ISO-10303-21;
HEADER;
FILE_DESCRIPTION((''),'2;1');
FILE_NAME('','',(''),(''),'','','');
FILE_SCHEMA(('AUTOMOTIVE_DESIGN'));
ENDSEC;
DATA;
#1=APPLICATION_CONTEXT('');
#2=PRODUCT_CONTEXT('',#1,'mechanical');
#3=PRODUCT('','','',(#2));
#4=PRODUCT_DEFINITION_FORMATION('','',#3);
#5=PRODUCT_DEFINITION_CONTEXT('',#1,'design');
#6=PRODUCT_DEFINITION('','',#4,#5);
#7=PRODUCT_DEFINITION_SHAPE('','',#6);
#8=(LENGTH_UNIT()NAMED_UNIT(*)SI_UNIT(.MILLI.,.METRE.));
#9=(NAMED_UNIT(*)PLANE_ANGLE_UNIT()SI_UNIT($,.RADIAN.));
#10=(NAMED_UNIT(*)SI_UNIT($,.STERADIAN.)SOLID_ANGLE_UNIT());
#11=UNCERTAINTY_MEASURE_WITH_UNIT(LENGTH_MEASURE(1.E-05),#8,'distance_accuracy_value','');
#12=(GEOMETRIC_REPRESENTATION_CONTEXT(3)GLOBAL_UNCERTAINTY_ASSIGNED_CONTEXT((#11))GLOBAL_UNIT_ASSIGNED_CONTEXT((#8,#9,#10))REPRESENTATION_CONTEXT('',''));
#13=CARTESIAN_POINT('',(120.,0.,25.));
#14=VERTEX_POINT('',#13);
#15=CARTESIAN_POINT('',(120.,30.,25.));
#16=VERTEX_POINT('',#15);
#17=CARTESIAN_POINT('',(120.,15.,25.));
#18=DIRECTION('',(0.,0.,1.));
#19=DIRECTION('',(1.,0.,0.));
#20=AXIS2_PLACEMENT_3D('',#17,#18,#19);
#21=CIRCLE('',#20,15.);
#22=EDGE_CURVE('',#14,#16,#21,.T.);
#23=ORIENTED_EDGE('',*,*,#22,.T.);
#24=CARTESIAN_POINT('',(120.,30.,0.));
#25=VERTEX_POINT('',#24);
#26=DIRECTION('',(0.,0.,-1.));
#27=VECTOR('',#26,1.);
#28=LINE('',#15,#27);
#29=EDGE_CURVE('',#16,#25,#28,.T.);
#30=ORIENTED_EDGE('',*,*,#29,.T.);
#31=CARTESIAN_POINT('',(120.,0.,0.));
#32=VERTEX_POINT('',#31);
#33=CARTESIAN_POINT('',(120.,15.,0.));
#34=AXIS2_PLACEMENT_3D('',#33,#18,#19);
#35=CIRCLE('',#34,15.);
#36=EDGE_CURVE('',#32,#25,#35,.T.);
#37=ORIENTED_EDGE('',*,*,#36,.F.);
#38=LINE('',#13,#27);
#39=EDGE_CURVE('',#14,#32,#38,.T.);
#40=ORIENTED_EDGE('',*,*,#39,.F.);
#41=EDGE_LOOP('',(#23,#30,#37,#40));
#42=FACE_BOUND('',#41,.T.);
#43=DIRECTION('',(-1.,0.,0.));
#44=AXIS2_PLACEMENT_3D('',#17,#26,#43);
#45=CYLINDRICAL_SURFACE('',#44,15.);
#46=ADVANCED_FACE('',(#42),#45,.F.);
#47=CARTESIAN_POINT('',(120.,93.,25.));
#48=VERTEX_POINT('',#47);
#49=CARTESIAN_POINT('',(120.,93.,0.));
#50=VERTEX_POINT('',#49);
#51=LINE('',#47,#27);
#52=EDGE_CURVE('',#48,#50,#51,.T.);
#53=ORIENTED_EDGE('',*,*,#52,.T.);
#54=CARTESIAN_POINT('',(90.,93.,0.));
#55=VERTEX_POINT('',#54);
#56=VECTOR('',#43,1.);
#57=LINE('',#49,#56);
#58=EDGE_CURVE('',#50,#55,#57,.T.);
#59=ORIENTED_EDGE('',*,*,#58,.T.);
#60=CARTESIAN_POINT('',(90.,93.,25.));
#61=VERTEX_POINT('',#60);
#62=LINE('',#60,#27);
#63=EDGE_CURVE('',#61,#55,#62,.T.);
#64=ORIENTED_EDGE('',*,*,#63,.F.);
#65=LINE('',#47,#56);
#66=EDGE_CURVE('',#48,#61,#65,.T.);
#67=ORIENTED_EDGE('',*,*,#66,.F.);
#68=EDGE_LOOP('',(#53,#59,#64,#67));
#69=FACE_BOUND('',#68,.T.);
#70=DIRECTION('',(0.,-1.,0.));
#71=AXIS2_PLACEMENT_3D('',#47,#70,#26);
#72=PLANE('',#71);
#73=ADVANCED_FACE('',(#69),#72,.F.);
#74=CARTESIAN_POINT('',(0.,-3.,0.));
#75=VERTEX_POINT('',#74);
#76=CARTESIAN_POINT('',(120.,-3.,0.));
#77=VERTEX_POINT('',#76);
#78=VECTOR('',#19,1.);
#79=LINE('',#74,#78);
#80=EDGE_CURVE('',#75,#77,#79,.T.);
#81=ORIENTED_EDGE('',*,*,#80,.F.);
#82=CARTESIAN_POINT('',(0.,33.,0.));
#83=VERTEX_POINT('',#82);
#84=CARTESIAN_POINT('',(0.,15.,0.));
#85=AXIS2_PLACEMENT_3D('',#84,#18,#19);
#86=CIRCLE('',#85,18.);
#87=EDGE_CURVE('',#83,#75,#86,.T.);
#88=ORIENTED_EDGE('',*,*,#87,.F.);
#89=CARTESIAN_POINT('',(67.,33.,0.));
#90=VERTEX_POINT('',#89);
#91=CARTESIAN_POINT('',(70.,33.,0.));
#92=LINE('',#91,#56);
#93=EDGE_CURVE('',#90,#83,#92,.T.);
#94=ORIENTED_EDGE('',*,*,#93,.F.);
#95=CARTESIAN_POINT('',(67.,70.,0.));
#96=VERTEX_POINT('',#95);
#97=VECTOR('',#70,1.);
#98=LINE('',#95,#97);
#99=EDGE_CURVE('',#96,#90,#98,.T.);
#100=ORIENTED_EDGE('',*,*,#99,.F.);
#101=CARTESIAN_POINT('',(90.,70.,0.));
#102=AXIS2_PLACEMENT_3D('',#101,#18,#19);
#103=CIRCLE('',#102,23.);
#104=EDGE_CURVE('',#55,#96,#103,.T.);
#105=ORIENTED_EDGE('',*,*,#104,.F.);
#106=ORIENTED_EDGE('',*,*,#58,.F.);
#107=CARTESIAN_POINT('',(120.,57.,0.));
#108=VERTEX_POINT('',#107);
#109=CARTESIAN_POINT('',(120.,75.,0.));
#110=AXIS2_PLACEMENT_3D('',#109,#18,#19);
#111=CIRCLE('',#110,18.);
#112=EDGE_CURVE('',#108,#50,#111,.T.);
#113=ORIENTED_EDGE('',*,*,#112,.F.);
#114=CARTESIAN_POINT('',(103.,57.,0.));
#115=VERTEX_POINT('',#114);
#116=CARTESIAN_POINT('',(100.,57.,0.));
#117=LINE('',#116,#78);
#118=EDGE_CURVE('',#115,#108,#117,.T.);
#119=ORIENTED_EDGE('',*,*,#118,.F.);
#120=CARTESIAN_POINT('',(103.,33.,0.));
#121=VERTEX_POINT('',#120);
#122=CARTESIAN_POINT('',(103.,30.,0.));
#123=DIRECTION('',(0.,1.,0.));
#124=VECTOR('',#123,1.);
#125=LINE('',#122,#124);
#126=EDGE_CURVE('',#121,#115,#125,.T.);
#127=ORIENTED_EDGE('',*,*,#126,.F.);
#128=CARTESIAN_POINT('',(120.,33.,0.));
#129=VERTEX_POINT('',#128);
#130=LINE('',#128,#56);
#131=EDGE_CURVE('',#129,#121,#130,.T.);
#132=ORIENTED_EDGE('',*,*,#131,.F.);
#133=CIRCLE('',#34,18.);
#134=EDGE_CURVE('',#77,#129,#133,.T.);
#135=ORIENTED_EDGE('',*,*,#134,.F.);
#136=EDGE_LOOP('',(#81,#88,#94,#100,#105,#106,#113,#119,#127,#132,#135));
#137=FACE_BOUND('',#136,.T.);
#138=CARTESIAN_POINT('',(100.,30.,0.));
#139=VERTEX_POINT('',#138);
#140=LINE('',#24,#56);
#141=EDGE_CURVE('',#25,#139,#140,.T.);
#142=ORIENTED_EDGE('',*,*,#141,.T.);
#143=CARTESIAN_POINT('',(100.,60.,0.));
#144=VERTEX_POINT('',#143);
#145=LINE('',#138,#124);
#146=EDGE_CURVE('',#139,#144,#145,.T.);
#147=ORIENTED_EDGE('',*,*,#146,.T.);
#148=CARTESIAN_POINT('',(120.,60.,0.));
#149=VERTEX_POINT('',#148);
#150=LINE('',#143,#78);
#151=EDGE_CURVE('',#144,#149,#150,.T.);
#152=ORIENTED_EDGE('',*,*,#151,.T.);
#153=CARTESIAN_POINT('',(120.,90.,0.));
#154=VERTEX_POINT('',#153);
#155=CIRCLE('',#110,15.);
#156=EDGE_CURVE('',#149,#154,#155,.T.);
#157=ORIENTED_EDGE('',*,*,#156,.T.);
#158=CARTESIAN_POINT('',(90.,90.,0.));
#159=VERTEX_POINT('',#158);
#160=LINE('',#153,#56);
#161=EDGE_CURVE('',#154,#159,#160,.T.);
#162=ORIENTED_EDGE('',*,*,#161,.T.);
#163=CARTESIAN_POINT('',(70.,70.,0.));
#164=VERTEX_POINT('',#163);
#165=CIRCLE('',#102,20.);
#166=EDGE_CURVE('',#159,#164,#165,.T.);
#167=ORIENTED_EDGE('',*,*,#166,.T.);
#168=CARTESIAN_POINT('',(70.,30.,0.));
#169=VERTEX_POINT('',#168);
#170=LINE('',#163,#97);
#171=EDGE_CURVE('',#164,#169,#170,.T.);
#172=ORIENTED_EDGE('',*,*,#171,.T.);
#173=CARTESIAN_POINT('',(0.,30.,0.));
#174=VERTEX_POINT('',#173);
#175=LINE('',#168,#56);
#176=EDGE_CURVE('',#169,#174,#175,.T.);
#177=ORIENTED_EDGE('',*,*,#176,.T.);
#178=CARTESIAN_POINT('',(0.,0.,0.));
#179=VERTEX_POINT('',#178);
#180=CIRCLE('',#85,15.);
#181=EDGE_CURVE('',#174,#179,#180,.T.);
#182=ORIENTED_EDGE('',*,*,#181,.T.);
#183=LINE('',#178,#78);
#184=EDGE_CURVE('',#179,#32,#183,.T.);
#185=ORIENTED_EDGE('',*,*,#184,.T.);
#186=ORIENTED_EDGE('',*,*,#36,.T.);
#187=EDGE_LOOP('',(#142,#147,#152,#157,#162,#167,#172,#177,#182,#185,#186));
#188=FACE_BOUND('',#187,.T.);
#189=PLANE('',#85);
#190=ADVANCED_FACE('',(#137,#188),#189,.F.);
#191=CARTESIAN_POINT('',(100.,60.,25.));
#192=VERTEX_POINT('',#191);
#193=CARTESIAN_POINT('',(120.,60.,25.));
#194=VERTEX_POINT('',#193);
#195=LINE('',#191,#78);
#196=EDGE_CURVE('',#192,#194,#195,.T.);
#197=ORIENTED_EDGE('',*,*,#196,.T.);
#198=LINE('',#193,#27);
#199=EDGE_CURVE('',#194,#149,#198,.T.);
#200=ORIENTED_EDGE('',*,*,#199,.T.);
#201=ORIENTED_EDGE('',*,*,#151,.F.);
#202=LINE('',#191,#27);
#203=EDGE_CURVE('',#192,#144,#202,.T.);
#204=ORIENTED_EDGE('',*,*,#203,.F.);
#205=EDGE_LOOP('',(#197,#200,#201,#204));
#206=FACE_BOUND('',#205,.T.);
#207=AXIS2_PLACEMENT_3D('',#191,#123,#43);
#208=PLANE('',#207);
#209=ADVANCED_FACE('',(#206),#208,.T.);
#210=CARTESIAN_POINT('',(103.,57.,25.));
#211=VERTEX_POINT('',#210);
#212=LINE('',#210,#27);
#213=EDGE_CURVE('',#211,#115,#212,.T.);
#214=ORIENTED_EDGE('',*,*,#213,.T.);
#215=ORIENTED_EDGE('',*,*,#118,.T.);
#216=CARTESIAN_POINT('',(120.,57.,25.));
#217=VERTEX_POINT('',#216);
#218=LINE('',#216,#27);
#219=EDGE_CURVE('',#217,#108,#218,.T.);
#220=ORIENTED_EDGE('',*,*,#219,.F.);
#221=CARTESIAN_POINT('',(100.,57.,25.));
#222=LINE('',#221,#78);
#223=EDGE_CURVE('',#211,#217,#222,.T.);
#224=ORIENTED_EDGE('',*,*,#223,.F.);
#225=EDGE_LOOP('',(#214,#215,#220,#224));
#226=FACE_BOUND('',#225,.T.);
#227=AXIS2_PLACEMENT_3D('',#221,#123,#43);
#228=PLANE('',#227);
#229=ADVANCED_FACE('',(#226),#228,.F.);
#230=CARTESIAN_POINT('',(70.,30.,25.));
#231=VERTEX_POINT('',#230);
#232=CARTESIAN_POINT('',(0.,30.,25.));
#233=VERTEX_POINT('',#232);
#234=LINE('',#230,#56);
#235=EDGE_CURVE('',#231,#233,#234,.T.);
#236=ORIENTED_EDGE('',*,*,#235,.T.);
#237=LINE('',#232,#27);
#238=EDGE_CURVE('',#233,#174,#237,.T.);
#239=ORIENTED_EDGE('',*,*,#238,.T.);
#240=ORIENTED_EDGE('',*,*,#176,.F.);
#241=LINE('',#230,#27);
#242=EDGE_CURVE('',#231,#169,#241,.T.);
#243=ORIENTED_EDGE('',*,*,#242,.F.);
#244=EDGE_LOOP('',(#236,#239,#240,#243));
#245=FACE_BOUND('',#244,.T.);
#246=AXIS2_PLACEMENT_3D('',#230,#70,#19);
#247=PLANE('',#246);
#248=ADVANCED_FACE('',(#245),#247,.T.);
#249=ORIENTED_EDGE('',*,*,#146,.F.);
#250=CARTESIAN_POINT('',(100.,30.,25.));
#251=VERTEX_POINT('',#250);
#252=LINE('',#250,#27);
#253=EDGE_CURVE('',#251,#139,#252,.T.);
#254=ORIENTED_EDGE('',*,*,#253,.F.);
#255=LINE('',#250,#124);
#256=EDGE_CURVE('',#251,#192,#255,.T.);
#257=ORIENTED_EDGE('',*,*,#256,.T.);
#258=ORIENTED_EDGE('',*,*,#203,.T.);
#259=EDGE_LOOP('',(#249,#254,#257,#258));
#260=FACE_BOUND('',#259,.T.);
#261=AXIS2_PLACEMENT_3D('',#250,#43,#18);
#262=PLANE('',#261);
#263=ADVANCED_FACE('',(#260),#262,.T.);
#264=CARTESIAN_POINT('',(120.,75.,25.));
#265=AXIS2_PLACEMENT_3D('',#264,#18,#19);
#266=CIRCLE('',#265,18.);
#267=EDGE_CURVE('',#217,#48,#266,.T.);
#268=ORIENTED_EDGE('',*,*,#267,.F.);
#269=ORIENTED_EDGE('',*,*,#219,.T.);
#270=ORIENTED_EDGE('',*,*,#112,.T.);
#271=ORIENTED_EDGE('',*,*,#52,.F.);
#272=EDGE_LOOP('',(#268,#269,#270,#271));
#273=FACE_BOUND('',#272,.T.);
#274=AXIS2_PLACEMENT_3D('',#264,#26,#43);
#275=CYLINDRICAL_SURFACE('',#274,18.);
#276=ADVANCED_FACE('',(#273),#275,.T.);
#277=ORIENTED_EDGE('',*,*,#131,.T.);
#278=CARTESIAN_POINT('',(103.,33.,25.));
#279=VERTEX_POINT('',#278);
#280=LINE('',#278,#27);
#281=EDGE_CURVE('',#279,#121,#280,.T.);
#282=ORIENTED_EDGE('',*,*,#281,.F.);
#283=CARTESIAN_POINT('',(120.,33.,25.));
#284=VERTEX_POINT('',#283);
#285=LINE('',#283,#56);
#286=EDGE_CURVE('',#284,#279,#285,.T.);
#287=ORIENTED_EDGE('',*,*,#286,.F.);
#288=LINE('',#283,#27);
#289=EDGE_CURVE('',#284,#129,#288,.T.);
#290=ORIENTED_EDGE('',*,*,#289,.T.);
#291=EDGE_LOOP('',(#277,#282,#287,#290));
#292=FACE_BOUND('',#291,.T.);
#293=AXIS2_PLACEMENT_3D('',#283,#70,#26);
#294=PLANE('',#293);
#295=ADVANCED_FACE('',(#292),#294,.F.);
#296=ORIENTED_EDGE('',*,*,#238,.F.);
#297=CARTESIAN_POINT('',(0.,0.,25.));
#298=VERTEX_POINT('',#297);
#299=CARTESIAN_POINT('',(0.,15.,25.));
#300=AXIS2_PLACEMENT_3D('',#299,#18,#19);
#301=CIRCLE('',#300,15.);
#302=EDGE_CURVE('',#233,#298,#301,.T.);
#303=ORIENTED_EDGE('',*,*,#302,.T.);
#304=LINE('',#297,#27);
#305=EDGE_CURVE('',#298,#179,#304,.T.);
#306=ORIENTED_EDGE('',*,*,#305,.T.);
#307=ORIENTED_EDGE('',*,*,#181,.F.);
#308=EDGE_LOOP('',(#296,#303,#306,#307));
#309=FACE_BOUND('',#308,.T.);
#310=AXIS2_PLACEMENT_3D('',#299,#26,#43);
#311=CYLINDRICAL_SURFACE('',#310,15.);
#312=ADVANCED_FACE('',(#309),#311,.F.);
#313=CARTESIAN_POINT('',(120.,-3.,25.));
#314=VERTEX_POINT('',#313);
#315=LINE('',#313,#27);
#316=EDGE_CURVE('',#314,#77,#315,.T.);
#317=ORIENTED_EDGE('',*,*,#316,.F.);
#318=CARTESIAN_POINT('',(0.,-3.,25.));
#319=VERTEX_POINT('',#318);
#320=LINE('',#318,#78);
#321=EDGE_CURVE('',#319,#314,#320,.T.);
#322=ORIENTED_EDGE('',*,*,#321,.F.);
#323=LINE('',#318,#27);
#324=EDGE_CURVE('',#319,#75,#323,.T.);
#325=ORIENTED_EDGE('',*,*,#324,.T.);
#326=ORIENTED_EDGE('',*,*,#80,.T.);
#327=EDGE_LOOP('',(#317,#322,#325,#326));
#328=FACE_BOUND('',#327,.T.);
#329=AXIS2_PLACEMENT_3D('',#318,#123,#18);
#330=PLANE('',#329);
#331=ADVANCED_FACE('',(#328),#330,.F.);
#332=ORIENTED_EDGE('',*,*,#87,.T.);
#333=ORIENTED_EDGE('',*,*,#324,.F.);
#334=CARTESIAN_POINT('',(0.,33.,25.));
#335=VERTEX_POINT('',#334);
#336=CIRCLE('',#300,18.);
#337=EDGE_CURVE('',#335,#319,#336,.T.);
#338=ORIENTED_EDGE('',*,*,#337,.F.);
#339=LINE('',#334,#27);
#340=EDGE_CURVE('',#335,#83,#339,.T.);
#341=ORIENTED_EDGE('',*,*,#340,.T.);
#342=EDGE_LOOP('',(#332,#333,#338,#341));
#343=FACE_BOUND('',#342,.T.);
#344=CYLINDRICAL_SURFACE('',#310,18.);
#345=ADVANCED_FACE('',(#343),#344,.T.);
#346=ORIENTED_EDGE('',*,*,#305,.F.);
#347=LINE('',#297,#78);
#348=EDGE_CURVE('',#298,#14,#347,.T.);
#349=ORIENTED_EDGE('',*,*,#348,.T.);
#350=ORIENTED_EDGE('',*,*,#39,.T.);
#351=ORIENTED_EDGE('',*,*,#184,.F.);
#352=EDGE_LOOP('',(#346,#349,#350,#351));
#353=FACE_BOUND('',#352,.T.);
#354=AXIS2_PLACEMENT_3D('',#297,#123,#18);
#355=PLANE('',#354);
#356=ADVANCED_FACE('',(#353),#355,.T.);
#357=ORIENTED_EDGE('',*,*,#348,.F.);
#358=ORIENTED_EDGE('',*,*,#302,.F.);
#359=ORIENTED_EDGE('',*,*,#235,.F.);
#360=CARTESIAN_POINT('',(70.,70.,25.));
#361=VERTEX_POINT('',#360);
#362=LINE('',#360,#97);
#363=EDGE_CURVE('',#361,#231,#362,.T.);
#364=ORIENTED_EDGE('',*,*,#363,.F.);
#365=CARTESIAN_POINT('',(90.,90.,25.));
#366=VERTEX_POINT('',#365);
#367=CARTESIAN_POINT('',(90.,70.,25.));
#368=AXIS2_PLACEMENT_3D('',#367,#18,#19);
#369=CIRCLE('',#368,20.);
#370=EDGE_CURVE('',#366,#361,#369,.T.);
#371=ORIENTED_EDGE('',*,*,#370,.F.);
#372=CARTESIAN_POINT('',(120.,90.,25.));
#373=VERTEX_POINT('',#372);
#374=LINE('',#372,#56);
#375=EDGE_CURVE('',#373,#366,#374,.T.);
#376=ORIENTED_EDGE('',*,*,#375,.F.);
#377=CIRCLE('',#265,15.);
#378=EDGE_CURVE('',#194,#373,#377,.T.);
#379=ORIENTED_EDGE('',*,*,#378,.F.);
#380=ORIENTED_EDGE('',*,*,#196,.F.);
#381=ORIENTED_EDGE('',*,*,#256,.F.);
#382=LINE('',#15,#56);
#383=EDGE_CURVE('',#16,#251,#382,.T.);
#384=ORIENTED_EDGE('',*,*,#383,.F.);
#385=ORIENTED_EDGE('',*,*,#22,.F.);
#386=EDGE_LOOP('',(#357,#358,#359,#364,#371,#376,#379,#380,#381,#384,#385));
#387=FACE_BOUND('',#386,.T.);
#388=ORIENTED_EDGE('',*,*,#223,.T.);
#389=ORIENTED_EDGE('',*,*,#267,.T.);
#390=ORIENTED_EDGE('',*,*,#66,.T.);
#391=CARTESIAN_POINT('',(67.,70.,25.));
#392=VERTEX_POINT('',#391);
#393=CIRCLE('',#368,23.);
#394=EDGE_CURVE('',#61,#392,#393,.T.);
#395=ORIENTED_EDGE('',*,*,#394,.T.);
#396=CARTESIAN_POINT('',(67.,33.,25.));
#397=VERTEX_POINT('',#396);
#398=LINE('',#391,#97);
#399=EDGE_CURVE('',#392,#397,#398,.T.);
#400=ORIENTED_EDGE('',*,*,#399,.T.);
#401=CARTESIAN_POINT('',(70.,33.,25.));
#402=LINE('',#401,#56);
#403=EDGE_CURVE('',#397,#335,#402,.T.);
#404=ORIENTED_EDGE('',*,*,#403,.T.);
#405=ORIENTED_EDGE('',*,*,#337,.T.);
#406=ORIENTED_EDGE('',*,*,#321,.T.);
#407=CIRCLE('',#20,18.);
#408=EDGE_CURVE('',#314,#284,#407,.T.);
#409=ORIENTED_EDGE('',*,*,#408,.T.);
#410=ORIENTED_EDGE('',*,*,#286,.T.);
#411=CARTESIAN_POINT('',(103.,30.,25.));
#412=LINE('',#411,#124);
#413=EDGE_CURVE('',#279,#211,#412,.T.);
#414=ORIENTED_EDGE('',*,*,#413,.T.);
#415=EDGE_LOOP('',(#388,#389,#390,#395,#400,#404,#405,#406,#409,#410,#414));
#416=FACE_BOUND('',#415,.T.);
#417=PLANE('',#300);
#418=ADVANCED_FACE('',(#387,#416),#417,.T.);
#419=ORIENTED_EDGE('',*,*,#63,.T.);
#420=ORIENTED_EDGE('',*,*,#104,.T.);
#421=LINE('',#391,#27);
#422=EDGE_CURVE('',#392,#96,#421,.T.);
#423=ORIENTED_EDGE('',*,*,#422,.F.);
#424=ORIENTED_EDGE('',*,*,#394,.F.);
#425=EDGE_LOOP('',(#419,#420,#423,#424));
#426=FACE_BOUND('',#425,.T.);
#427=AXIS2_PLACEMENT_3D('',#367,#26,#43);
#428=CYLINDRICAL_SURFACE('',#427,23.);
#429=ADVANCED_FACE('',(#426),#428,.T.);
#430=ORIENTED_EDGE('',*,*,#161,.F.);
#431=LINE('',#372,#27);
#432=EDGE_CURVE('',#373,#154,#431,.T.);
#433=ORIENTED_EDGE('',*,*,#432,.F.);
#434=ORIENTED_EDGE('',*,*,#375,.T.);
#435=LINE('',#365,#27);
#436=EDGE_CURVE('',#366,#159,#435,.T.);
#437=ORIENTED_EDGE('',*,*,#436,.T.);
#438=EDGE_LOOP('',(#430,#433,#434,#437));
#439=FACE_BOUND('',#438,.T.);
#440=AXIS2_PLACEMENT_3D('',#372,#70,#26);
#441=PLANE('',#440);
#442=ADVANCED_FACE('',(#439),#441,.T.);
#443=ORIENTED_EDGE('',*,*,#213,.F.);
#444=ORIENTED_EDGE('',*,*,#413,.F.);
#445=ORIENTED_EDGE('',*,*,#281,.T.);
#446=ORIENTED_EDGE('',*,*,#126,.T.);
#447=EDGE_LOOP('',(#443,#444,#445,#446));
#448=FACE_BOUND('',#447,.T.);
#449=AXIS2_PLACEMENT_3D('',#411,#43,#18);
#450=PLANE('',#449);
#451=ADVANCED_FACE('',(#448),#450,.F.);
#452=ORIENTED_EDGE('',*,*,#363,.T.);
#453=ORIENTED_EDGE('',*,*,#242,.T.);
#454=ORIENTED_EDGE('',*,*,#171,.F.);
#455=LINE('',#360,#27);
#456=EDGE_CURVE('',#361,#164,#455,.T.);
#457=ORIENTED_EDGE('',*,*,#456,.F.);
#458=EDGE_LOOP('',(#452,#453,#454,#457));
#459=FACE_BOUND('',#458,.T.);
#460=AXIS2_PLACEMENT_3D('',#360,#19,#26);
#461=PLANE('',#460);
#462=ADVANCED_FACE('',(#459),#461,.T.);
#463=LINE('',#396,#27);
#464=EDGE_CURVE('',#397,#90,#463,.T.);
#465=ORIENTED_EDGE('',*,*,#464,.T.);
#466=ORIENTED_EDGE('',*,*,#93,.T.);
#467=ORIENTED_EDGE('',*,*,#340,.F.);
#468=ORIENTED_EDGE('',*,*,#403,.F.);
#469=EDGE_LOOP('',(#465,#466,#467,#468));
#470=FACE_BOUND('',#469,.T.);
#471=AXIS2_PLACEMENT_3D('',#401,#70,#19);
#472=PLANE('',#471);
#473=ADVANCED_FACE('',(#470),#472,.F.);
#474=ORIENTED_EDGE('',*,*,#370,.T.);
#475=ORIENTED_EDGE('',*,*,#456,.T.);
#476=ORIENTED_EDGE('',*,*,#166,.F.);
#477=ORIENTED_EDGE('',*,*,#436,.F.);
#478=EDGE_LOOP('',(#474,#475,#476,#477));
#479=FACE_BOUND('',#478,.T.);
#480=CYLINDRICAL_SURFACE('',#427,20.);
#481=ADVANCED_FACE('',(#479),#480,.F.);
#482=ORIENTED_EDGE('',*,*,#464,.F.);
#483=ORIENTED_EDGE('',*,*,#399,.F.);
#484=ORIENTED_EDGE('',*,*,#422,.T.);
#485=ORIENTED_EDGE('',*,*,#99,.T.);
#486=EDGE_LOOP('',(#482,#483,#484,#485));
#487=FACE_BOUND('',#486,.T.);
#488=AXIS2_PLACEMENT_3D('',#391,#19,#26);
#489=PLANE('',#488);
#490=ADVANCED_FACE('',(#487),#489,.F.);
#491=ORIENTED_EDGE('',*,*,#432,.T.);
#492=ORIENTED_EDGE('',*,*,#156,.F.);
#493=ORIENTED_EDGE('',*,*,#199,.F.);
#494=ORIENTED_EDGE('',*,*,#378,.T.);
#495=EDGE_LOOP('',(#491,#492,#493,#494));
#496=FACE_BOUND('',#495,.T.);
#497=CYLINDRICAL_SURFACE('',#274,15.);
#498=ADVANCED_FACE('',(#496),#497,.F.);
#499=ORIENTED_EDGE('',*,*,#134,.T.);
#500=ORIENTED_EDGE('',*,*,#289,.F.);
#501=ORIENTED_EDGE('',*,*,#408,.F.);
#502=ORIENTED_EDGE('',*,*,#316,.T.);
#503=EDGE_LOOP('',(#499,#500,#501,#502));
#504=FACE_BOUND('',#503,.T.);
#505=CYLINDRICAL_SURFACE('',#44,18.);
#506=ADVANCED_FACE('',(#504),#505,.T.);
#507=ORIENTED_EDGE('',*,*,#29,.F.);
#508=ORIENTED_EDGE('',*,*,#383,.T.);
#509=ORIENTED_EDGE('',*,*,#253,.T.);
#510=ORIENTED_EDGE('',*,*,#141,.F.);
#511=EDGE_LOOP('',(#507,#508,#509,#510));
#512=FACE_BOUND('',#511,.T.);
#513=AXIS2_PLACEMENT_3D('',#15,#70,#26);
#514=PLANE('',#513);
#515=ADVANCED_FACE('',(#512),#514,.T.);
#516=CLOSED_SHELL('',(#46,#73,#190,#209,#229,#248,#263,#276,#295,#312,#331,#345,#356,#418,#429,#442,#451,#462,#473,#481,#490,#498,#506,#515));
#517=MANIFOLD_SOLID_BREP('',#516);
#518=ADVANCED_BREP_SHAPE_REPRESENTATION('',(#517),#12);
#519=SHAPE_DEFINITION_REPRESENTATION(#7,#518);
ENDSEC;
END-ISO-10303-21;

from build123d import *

# Parameters (mm, degrees)
EXTRUDE_THIN11_DEPTH = 25


with BuildPart() as part:
    # Sketch2 → Extrude-Thin11 (new body)
    with BuildSketch(Plane.XY):
        with BuildLine():
            Line((67, 70), (67, 33))
            Line((67, 33), (0, 33))
            ThreePointArc((0, 33), (-18, 15), (0, -3))
            Line((0, -3), (120, -3))
            ThreePointArc((120, -3), (138, 15), (120, 33))
            Line((120, 33), (103, 33))
            Line((103, 33), (103, 57))
            Line((103, 57), (120, 57))
            ThreePointArc((120, 57), (138, 75), (120, 93))
            Line((120, 93), (90, 93))
            ThreePointArc((90, 93), (73.736544033, 86.263455967), (67, 70))
        make_face()
        with BuildLine():
            Line((70, 70), (70, 30))
            Line((70, 30), (0, 30))
            ThreePointArc((0, 30), (-15, 15), (0, 0))
            Line((0, 0), (120, 0))
            ThreePointArc((120, 0), (135, 15), (120, 30))
            Line((120, 30), (100, 30))
            Line((100, 30), (100, 60))
            Line((100, 60), (120, 60))
            ThreePointArc((120, 60), (135, 75), (120, 90))
            Line((120, 90), (90, 90))
            ThreePointArc((90, 90), (75.857864376, 84.142135624), (70, 70))
        make_face(mode=Mode.SUBTRACT)
    extrude(amount=EXTRUDE_THIN11_DEPTH)


solid = part.part
